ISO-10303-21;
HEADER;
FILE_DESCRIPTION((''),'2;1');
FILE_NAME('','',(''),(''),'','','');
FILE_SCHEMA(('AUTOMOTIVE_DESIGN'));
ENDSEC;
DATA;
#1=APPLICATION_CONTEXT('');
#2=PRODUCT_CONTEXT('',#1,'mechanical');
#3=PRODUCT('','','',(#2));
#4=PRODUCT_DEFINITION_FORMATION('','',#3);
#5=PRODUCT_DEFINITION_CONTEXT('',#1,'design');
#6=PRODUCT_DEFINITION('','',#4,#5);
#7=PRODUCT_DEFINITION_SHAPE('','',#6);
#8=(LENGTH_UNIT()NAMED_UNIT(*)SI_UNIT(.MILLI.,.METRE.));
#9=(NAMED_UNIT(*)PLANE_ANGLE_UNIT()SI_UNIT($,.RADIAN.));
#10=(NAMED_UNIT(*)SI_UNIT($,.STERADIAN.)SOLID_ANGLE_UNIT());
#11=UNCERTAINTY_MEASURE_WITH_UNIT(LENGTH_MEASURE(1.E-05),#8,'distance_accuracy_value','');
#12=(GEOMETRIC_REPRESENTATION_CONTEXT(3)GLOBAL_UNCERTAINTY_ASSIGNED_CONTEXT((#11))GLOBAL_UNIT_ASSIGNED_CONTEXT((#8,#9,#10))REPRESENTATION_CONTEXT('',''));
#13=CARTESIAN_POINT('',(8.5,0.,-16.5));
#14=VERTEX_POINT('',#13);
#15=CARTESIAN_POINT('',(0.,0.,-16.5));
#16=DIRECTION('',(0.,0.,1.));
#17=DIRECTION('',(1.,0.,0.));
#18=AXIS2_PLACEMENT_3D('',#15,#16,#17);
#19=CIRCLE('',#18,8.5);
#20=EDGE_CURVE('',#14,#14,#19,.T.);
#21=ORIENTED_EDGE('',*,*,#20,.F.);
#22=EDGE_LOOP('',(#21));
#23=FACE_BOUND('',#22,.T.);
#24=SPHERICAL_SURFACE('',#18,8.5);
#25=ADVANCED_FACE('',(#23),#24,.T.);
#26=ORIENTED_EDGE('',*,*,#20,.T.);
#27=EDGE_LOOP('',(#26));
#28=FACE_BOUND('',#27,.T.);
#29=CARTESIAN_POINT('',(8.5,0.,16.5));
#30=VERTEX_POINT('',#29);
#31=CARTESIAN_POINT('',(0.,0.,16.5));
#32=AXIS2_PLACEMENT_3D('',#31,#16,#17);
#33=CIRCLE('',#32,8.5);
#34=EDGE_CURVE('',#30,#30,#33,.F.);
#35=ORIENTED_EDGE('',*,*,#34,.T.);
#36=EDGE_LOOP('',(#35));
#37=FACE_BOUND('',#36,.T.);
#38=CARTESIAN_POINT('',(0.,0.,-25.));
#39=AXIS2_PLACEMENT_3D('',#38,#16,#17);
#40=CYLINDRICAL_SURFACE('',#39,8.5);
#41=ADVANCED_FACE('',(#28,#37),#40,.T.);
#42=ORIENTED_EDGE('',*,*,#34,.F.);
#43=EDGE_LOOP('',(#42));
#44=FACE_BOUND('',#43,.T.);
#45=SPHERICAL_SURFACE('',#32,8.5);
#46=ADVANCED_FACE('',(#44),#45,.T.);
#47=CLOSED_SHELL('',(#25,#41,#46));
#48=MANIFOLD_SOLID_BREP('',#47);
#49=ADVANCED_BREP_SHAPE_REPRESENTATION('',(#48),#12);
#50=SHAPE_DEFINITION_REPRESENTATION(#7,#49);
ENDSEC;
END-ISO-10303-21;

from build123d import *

# Parameters (mm, degrees)
BOSS_EXTRUDE1_DEPTH      = 25
BOSS_EXTRUDE1_DEPTH_BACK = 25
SKETCH2_R                = 8.5
FILLET1_R                = 8.5


with BuildPart() as part:
    # Sketch2 → Boss-Extrude1 (new, two sides: drawn at the far end of the back side and taken through both)
    with BuildSketch(Plane.XY.offset(-BOSS_EXTRUDE1_DEPTH_BACK)):
        Circle(SKETCH2_R)
    extrude(amount=BOSS_EXTRUDE1_DEPTH + BOSS_EXTRUDE1_DEPTH_BACK)

    # Fillet1
    fillet1_edges = [part.edges().sort_by_distance(p)[0] for p in [
        (-8.5, 0, 25),
        (-8.5, 0, -25),
    ]]
    fillet(fillet1_edges, radius=FILLET1_R)


solid = part.part
